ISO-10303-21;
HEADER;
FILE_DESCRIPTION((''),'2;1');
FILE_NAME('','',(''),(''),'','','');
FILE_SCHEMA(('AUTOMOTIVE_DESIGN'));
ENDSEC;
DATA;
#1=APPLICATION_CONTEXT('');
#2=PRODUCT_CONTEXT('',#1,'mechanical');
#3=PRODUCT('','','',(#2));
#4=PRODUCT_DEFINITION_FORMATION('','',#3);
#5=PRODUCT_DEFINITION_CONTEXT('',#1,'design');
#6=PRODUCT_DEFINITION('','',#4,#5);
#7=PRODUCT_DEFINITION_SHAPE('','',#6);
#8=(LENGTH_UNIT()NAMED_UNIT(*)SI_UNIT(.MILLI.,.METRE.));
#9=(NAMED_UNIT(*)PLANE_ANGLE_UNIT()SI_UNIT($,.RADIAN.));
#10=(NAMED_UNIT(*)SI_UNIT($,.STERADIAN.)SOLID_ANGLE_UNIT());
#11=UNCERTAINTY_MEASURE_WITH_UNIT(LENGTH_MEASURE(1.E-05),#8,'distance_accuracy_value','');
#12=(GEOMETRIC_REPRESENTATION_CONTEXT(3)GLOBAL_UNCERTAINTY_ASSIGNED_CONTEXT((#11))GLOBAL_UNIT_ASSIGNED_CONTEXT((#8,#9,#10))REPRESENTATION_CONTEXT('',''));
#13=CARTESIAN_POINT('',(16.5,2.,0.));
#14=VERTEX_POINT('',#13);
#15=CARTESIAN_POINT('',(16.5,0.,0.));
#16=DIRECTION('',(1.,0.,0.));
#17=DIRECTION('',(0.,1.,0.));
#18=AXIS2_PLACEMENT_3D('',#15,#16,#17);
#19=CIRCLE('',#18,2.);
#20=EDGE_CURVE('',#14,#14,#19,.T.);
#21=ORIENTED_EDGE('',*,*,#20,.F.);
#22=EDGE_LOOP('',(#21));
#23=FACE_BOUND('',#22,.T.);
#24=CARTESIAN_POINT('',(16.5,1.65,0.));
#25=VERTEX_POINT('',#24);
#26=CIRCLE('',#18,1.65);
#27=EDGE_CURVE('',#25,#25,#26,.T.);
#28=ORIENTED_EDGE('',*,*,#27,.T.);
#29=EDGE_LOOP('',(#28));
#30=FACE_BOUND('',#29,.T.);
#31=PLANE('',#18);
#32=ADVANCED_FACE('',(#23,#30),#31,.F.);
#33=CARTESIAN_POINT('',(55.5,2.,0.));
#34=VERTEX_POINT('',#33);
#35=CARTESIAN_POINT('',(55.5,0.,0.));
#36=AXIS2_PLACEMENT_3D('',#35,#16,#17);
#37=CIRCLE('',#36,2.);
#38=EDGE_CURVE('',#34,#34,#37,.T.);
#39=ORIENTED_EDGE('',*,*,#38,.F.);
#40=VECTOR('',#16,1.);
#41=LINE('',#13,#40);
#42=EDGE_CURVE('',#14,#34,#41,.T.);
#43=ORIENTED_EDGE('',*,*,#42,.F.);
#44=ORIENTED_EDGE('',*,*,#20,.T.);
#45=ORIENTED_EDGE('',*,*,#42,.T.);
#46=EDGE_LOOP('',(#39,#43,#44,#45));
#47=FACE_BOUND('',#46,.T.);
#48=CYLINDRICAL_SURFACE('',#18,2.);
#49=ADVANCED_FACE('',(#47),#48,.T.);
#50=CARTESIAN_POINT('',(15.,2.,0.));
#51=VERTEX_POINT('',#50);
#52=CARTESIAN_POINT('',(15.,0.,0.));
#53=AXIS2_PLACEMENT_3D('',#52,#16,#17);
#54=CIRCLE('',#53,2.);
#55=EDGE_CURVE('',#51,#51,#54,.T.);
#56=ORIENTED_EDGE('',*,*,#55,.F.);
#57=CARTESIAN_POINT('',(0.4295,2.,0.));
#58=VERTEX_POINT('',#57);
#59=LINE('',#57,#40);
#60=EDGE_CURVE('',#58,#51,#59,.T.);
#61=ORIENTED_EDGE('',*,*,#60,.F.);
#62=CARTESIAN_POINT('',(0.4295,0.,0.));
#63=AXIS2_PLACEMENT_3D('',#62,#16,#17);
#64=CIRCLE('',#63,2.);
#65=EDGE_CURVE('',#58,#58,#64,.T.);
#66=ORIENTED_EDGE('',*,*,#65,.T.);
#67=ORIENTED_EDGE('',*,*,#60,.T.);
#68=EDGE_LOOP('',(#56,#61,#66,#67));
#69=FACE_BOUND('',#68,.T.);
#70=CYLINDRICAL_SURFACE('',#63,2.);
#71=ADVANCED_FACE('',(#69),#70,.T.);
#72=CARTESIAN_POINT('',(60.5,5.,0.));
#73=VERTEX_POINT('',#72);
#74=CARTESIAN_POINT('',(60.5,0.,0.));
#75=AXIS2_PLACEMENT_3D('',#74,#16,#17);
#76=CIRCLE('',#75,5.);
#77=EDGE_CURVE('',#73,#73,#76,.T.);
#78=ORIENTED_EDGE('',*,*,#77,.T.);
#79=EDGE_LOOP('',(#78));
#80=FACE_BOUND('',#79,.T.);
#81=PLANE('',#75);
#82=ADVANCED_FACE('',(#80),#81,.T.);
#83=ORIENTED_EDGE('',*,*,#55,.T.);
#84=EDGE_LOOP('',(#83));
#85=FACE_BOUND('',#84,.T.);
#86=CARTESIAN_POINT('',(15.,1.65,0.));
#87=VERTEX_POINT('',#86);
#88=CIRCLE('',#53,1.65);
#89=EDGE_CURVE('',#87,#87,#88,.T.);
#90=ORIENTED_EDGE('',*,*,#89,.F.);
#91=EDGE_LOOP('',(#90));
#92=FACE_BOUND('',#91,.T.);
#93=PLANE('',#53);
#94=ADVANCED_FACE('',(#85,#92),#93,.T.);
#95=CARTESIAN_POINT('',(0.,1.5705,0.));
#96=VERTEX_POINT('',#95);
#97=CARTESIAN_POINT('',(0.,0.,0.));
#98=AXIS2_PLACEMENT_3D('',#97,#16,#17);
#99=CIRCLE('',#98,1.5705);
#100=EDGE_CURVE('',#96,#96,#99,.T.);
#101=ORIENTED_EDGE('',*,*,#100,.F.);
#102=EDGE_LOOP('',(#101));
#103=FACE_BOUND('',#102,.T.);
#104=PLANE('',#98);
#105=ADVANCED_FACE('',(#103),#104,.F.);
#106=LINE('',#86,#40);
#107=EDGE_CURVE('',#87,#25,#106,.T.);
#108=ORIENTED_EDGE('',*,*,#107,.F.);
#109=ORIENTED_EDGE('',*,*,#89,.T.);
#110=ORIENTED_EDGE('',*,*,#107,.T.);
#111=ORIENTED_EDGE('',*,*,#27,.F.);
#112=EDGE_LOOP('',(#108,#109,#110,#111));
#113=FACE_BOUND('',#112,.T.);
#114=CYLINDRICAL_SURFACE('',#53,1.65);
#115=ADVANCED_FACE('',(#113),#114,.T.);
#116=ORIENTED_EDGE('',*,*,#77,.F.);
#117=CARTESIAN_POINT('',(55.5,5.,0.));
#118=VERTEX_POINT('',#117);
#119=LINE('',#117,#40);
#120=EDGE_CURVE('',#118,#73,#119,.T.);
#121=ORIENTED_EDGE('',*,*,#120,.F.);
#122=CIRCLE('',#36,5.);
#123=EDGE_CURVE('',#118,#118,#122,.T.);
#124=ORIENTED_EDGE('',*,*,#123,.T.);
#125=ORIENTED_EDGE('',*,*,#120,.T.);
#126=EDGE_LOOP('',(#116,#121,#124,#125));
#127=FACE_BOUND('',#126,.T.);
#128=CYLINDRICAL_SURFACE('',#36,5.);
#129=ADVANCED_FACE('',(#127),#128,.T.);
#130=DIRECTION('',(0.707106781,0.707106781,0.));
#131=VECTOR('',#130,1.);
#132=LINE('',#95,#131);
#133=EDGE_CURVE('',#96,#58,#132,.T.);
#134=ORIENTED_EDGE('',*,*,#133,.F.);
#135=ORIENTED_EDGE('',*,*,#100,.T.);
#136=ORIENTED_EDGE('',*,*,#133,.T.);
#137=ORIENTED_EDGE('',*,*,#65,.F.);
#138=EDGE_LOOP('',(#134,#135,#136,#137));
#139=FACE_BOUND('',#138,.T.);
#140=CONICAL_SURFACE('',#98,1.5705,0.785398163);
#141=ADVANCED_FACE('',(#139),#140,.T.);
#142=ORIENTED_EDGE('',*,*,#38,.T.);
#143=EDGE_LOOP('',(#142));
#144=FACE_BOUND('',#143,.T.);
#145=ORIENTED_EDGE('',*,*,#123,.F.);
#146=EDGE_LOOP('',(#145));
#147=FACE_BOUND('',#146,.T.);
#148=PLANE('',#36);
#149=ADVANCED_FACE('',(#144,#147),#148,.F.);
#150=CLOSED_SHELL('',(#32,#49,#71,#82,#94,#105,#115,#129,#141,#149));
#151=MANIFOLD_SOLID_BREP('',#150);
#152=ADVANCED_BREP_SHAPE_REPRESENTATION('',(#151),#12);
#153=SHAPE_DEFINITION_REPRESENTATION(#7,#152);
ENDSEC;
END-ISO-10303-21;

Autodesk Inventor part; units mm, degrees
sketch "Sketch_2" plane through (0, 0, 0) normal (0, 0, 1) x (1, 0, 0)
  line L0 (60.5, 0) -> (0, 0)
  line L1 (0, 0) -> (0, 1.5705)
  line L2 (0, 1.5705) -> (0.4295, 2)
  line L3 (0.4295, 2) -> (15, 2)
  line L4 (15, 2) -> (15, 1.65)
  line L5 (15, 1.65) -> (16.5, 1.65)
  line L6 (16.5, 1.65) -> (16.5, 2)
  line L7 (16.5, 2) -> (55.5, 2)
  line L8 (55.5, 2) -> (55.5, 5)
  line L9 (55.5, 5) -> (60.5, 5)
  line L10 (60.5, 5) -> (60.5, 0)
  line L11 (60.5, 0) -> (0, 0)
revolve "Revolution1" add sketch "Sketch_2" angle 360 about axis through (60.5, 0, 0) along (1, 0, 0)
thread "Thread1" size "M4x0.7" class "6g" standard "ISO Metric profile" full length
ref_plane "ROD_BA_XY" through (8, 0, 0) normal (-1, 0, 0) x (0, 0, -1)
ref_plane "ROD_BA_YZ" through (8, 0, 0) normal (0, 0, -1) x (0, -1, 0)
ref_plane "ROD_BA_ZX" through (8, 0, 0) normal (0, -1, 0) x (-1, 0, 0)
ref_plane "ROD_BODY_XY" through (28, 0, 0) normal (-1, 0, 0) x (0, 0, -1)
ref_plane "ROD_BODY_YZ" through (28, 0, 0) normal (0, 0, -1) x (0, -1, 0)
ref_plane "ROD_BODY_ZX" through (28, 0, 0) normal (0, -1, 0) x (-1, 0, 0)
ref_plane "rodnt1_XY" through (7.5, 0, 0) normal (1, 0, 0) x (0, 0, -1)
ref_plane "rodnt1_YZ" through (7.5, 0, 0) normal (0, 0, -1) x (0, 1, 0)
ref_plane "rodnt1_ZX" through (7.5, 0, 0) normal (0, 1, 0) x (1, 0, 0)
properties part number "CJ2B10-15Z_ROD"
